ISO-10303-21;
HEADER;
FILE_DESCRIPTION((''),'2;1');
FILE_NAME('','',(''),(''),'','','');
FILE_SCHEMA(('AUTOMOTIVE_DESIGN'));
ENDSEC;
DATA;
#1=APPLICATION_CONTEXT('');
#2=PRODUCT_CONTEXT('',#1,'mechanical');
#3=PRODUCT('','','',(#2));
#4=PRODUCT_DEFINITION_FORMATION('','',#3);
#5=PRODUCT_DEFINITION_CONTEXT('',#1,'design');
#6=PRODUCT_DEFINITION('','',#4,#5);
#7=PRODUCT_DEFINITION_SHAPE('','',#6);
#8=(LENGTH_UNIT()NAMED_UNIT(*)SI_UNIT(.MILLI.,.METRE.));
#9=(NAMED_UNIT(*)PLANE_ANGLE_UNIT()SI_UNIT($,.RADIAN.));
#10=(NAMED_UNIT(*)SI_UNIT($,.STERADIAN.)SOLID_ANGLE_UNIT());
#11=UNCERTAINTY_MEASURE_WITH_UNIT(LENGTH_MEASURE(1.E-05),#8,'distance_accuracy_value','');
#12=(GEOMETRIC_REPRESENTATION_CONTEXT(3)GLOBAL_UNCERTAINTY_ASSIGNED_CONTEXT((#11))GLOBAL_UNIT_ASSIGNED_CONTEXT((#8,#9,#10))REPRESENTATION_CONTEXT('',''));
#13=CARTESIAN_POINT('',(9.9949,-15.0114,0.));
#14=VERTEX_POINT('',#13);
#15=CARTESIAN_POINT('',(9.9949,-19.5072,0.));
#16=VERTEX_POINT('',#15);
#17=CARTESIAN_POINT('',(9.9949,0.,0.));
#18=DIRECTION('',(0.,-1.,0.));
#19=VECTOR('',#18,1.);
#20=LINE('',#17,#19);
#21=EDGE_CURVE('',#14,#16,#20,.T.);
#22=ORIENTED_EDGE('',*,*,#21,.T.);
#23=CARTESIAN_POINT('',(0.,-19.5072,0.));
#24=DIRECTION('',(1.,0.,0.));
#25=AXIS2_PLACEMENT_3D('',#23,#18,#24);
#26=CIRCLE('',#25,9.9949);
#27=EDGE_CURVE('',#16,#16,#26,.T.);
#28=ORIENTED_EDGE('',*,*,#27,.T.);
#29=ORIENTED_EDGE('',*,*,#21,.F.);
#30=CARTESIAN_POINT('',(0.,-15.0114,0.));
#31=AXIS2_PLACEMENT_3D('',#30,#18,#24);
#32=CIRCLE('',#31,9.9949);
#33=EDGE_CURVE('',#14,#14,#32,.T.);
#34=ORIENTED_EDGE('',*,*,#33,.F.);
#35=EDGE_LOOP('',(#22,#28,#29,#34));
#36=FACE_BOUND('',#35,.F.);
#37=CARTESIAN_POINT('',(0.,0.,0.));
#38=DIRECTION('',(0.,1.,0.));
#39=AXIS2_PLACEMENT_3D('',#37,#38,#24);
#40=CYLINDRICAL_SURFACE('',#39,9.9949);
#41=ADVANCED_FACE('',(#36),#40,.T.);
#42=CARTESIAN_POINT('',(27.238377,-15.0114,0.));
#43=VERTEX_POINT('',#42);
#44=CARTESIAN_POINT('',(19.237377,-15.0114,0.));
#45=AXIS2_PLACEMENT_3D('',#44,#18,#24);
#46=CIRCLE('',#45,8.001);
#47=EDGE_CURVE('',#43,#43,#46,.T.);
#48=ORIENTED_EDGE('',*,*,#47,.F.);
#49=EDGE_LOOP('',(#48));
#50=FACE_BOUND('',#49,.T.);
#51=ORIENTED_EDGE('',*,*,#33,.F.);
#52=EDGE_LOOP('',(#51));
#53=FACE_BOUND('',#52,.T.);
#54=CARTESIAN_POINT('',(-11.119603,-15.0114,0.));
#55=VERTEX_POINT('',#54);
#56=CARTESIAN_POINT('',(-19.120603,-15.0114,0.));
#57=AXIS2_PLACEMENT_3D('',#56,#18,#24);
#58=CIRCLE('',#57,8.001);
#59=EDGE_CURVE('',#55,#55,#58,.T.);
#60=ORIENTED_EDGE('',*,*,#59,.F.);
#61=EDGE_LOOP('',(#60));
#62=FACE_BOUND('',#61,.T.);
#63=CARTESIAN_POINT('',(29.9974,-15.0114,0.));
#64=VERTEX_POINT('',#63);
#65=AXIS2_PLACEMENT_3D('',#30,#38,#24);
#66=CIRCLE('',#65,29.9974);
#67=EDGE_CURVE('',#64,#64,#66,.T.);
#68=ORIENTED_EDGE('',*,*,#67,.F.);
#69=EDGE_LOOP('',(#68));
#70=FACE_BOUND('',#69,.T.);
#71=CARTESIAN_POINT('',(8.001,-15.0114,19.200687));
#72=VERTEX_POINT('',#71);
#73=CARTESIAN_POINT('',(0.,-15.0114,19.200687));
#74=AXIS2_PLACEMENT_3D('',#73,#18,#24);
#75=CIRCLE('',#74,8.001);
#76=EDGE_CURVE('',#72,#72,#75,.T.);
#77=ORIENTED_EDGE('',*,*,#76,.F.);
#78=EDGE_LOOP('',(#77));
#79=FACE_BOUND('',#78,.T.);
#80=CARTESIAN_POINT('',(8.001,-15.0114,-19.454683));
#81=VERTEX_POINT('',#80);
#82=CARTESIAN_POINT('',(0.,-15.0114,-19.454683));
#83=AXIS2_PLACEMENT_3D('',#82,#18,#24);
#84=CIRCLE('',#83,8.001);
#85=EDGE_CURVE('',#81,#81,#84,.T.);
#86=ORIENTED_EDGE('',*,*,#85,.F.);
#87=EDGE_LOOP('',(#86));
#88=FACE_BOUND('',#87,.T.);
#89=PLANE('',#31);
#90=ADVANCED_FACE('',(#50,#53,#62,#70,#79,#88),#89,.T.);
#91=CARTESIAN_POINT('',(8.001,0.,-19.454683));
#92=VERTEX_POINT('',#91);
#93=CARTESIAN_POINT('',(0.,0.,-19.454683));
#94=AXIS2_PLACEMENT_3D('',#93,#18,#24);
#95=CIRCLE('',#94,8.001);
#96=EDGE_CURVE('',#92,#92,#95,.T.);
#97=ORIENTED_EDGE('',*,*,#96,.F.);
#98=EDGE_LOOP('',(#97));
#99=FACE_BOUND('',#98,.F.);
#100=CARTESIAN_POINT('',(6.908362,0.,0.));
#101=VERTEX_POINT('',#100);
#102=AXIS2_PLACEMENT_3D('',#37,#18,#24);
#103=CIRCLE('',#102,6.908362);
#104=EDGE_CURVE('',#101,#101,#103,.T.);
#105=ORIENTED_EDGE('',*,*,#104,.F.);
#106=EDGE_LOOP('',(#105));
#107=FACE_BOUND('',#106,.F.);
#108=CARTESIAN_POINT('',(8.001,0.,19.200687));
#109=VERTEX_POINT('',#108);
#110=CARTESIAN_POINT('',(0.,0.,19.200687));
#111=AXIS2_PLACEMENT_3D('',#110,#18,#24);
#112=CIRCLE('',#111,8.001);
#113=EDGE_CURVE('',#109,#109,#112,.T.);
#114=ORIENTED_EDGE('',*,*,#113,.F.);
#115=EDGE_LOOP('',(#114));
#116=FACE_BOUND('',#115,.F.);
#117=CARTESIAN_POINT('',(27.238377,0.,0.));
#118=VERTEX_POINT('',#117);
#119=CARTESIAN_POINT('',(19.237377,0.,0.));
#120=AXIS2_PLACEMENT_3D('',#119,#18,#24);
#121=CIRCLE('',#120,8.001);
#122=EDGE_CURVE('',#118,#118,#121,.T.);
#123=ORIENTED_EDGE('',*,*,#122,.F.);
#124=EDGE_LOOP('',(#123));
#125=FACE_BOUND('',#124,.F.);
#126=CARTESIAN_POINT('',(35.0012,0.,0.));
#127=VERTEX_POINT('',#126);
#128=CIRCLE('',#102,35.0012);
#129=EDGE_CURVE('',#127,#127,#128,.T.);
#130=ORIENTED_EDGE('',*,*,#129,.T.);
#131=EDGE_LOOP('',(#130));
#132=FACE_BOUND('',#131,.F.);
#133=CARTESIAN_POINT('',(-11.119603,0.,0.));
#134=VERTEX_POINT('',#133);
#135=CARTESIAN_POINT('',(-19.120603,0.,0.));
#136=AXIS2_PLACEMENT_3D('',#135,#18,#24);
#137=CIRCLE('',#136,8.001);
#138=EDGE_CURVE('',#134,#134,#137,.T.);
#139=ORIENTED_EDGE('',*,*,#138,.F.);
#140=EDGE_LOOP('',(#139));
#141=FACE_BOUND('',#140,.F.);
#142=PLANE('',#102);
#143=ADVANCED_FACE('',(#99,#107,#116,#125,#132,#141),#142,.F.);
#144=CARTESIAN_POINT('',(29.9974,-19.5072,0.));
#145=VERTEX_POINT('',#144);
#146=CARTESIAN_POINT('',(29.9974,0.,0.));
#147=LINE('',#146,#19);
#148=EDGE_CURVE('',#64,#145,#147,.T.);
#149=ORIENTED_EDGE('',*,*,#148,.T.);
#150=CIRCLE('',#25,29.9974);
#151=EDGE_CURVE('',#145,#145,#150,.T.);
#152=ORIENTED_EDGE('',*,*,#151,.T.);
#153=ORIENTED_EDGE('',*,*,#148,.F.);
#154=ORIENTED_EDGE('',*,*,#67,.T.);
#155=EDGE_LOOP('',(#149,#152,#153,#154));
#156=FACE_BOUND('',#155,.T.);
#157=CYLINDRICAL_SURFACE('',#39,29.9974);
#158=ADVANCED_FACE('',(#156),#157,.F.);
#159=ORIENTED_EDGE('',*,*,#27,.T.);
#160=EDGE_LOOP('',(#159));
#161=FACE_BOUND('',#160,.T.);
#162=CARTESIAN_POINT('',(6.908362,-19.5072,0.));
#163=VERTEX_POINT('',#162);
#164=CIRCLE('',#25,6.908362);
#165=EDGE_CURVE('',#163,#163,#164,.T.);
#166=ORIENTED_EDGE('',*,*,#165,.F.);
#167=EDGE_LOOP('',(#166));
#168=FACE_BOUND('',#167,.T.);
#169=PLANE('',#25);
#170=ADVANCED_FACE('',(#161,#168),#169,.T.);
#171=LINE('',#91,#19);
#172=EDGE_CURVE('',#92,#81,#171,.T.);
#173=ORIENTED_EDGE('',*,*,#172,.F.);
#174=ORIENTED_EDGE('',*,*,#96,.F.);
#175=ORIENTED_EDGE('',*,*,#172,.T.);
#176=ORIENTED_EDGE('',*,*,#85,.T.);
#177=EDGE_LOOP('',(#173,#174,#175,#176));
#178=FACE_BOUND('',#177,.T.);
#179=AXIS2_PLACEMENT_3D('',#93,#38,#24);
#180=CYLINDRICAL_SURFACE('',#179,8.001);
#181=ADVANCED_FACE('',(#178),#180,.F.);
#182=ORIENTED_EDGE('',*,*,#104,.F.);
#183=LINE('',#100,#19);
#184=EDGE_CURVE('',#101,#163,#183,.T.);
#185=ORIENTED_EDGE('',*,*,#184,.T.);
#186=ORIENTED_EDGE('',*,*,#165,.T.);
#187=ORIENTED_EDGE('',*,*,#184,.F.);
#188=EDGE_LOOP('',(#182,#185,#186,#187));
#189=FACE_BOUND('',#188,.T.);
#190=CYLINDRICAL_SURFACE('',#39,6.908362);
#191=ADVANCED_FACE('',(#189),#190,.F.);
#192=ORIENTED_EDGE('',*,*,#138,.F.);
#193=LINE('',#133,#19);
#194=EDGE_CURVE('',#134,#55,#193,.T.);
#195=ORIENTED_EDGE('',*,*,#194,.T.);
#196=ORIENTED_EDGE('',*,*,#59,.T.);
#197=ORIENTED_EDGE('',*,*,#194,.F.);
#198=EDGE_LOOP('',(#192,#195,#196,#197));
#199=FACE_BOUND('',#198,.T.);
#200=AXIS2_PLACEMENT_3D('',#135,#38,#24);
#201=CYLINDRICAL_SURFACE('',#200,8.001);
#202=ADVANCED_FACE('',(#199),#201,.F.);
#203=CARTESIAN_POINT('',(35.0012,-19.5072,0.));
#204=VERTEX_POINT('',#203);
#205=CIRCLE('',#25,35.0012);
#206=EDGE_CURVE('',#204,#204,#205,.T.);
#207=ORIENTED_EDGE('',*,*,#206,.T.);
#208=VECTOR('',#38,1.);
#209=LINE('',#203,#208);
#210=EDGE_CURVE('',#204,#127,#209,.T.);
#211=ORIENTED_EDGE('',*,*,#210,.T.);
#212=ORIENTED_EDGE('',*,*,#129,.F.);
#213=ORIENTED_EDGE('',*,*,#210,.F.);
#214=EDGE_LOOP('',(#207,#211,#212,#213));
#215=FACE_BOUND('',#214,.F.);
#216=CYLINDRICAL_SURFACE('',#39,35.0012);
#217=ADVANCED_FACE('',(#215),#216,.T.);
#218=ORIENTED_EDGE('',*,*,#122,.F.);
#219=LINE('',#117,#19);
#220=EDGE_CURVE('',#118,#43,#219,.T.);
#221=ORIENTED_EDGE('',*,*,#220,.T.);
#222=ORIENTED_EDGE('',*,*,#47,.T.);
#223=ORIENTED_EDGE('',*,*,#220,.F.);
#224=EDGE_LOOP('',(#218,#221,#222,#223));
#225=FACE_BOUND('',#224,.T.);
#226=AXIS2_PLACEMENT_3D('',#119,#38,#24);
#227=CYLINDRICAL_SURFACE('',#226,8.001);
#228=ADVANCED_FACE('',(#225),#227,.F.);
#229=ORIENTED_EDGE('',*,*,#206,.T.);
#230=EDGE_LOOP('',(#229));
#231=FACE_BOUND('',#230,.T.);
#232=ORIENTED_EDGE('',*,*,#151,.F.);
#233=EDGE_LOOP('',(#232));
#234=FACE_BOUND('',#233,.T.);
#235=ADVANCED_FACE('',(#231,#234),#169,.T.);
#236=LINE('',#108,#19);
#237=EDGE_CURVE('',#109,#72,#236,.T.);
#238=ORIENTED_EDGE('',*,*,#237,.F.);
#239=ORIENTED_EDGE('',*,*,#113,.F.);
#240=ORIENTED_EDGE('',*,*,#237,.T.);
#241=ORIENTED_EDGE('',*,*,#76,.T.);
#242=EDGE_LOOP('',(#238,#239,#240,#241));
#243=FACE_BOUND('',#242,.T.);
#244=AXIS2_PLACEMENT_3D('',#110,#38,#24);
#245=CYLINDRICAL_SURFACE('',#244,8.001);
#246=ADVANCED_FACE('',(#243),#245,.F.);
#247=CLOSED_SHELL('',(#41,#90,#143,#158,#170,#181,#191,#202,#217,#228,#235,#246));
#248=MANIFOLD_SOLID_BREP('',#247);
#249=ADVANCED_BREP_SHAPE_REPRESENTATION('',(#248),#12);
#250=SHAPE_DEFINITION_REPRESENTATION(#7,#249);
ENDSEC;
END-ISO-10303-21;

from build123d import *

# Parameters (mm, degrees)
F0_R     = 35.0012
F0_R_2   = 29.9974
F0_R_3   = 8.001
F0_R_4   = 9.9949
F1_DEPTH = 15.0114
F0_R_5   = 6.9083624949
F2_DEPTH = 19.5072


with BuildPart() as f1:
    # F0 (on Front) → F1 (new body)
    with BuildSketch(Plane.XZ):
        Circle(F0_R)
        Circle(F0_R_2, mode=Mode.SUBTRACT)
        Circle(F0_R_2)
        with Locations((0, -19.4546826296)):
            Circle(F0_R_3, mode=Mode.SUBTRACT)
        with Locations((-19.1206034859, 0)):
            Circle(F0_R_3, mode=Mode.SUBTRACT)
        Circle(F0_R_4, mode=Mode.SUBTRACT)
        with Locations((19.2373767495, 0)):
            Circle(F0_R_3, mode=Mode.SUBTRACT)
        with Locations((0, 19.2006870422)):
            Circle(F0_R_3, mode=Mode.SUBTRACT)
    extrude(amount=F1_DEPTH)

    # F0 (on Front) → F2 (join)
    with BuildSketch(Plane.XZ):
        Circle(F0_R)
        Circle(F0_R_2, mode=Mode.SUBTRACT)
        Circle(F0_R_4)
        Circle(F0_R_5, mode=Mode.SUBTRACT)
    extrude(amount=F2_DEPTH)


solid = f1.part
